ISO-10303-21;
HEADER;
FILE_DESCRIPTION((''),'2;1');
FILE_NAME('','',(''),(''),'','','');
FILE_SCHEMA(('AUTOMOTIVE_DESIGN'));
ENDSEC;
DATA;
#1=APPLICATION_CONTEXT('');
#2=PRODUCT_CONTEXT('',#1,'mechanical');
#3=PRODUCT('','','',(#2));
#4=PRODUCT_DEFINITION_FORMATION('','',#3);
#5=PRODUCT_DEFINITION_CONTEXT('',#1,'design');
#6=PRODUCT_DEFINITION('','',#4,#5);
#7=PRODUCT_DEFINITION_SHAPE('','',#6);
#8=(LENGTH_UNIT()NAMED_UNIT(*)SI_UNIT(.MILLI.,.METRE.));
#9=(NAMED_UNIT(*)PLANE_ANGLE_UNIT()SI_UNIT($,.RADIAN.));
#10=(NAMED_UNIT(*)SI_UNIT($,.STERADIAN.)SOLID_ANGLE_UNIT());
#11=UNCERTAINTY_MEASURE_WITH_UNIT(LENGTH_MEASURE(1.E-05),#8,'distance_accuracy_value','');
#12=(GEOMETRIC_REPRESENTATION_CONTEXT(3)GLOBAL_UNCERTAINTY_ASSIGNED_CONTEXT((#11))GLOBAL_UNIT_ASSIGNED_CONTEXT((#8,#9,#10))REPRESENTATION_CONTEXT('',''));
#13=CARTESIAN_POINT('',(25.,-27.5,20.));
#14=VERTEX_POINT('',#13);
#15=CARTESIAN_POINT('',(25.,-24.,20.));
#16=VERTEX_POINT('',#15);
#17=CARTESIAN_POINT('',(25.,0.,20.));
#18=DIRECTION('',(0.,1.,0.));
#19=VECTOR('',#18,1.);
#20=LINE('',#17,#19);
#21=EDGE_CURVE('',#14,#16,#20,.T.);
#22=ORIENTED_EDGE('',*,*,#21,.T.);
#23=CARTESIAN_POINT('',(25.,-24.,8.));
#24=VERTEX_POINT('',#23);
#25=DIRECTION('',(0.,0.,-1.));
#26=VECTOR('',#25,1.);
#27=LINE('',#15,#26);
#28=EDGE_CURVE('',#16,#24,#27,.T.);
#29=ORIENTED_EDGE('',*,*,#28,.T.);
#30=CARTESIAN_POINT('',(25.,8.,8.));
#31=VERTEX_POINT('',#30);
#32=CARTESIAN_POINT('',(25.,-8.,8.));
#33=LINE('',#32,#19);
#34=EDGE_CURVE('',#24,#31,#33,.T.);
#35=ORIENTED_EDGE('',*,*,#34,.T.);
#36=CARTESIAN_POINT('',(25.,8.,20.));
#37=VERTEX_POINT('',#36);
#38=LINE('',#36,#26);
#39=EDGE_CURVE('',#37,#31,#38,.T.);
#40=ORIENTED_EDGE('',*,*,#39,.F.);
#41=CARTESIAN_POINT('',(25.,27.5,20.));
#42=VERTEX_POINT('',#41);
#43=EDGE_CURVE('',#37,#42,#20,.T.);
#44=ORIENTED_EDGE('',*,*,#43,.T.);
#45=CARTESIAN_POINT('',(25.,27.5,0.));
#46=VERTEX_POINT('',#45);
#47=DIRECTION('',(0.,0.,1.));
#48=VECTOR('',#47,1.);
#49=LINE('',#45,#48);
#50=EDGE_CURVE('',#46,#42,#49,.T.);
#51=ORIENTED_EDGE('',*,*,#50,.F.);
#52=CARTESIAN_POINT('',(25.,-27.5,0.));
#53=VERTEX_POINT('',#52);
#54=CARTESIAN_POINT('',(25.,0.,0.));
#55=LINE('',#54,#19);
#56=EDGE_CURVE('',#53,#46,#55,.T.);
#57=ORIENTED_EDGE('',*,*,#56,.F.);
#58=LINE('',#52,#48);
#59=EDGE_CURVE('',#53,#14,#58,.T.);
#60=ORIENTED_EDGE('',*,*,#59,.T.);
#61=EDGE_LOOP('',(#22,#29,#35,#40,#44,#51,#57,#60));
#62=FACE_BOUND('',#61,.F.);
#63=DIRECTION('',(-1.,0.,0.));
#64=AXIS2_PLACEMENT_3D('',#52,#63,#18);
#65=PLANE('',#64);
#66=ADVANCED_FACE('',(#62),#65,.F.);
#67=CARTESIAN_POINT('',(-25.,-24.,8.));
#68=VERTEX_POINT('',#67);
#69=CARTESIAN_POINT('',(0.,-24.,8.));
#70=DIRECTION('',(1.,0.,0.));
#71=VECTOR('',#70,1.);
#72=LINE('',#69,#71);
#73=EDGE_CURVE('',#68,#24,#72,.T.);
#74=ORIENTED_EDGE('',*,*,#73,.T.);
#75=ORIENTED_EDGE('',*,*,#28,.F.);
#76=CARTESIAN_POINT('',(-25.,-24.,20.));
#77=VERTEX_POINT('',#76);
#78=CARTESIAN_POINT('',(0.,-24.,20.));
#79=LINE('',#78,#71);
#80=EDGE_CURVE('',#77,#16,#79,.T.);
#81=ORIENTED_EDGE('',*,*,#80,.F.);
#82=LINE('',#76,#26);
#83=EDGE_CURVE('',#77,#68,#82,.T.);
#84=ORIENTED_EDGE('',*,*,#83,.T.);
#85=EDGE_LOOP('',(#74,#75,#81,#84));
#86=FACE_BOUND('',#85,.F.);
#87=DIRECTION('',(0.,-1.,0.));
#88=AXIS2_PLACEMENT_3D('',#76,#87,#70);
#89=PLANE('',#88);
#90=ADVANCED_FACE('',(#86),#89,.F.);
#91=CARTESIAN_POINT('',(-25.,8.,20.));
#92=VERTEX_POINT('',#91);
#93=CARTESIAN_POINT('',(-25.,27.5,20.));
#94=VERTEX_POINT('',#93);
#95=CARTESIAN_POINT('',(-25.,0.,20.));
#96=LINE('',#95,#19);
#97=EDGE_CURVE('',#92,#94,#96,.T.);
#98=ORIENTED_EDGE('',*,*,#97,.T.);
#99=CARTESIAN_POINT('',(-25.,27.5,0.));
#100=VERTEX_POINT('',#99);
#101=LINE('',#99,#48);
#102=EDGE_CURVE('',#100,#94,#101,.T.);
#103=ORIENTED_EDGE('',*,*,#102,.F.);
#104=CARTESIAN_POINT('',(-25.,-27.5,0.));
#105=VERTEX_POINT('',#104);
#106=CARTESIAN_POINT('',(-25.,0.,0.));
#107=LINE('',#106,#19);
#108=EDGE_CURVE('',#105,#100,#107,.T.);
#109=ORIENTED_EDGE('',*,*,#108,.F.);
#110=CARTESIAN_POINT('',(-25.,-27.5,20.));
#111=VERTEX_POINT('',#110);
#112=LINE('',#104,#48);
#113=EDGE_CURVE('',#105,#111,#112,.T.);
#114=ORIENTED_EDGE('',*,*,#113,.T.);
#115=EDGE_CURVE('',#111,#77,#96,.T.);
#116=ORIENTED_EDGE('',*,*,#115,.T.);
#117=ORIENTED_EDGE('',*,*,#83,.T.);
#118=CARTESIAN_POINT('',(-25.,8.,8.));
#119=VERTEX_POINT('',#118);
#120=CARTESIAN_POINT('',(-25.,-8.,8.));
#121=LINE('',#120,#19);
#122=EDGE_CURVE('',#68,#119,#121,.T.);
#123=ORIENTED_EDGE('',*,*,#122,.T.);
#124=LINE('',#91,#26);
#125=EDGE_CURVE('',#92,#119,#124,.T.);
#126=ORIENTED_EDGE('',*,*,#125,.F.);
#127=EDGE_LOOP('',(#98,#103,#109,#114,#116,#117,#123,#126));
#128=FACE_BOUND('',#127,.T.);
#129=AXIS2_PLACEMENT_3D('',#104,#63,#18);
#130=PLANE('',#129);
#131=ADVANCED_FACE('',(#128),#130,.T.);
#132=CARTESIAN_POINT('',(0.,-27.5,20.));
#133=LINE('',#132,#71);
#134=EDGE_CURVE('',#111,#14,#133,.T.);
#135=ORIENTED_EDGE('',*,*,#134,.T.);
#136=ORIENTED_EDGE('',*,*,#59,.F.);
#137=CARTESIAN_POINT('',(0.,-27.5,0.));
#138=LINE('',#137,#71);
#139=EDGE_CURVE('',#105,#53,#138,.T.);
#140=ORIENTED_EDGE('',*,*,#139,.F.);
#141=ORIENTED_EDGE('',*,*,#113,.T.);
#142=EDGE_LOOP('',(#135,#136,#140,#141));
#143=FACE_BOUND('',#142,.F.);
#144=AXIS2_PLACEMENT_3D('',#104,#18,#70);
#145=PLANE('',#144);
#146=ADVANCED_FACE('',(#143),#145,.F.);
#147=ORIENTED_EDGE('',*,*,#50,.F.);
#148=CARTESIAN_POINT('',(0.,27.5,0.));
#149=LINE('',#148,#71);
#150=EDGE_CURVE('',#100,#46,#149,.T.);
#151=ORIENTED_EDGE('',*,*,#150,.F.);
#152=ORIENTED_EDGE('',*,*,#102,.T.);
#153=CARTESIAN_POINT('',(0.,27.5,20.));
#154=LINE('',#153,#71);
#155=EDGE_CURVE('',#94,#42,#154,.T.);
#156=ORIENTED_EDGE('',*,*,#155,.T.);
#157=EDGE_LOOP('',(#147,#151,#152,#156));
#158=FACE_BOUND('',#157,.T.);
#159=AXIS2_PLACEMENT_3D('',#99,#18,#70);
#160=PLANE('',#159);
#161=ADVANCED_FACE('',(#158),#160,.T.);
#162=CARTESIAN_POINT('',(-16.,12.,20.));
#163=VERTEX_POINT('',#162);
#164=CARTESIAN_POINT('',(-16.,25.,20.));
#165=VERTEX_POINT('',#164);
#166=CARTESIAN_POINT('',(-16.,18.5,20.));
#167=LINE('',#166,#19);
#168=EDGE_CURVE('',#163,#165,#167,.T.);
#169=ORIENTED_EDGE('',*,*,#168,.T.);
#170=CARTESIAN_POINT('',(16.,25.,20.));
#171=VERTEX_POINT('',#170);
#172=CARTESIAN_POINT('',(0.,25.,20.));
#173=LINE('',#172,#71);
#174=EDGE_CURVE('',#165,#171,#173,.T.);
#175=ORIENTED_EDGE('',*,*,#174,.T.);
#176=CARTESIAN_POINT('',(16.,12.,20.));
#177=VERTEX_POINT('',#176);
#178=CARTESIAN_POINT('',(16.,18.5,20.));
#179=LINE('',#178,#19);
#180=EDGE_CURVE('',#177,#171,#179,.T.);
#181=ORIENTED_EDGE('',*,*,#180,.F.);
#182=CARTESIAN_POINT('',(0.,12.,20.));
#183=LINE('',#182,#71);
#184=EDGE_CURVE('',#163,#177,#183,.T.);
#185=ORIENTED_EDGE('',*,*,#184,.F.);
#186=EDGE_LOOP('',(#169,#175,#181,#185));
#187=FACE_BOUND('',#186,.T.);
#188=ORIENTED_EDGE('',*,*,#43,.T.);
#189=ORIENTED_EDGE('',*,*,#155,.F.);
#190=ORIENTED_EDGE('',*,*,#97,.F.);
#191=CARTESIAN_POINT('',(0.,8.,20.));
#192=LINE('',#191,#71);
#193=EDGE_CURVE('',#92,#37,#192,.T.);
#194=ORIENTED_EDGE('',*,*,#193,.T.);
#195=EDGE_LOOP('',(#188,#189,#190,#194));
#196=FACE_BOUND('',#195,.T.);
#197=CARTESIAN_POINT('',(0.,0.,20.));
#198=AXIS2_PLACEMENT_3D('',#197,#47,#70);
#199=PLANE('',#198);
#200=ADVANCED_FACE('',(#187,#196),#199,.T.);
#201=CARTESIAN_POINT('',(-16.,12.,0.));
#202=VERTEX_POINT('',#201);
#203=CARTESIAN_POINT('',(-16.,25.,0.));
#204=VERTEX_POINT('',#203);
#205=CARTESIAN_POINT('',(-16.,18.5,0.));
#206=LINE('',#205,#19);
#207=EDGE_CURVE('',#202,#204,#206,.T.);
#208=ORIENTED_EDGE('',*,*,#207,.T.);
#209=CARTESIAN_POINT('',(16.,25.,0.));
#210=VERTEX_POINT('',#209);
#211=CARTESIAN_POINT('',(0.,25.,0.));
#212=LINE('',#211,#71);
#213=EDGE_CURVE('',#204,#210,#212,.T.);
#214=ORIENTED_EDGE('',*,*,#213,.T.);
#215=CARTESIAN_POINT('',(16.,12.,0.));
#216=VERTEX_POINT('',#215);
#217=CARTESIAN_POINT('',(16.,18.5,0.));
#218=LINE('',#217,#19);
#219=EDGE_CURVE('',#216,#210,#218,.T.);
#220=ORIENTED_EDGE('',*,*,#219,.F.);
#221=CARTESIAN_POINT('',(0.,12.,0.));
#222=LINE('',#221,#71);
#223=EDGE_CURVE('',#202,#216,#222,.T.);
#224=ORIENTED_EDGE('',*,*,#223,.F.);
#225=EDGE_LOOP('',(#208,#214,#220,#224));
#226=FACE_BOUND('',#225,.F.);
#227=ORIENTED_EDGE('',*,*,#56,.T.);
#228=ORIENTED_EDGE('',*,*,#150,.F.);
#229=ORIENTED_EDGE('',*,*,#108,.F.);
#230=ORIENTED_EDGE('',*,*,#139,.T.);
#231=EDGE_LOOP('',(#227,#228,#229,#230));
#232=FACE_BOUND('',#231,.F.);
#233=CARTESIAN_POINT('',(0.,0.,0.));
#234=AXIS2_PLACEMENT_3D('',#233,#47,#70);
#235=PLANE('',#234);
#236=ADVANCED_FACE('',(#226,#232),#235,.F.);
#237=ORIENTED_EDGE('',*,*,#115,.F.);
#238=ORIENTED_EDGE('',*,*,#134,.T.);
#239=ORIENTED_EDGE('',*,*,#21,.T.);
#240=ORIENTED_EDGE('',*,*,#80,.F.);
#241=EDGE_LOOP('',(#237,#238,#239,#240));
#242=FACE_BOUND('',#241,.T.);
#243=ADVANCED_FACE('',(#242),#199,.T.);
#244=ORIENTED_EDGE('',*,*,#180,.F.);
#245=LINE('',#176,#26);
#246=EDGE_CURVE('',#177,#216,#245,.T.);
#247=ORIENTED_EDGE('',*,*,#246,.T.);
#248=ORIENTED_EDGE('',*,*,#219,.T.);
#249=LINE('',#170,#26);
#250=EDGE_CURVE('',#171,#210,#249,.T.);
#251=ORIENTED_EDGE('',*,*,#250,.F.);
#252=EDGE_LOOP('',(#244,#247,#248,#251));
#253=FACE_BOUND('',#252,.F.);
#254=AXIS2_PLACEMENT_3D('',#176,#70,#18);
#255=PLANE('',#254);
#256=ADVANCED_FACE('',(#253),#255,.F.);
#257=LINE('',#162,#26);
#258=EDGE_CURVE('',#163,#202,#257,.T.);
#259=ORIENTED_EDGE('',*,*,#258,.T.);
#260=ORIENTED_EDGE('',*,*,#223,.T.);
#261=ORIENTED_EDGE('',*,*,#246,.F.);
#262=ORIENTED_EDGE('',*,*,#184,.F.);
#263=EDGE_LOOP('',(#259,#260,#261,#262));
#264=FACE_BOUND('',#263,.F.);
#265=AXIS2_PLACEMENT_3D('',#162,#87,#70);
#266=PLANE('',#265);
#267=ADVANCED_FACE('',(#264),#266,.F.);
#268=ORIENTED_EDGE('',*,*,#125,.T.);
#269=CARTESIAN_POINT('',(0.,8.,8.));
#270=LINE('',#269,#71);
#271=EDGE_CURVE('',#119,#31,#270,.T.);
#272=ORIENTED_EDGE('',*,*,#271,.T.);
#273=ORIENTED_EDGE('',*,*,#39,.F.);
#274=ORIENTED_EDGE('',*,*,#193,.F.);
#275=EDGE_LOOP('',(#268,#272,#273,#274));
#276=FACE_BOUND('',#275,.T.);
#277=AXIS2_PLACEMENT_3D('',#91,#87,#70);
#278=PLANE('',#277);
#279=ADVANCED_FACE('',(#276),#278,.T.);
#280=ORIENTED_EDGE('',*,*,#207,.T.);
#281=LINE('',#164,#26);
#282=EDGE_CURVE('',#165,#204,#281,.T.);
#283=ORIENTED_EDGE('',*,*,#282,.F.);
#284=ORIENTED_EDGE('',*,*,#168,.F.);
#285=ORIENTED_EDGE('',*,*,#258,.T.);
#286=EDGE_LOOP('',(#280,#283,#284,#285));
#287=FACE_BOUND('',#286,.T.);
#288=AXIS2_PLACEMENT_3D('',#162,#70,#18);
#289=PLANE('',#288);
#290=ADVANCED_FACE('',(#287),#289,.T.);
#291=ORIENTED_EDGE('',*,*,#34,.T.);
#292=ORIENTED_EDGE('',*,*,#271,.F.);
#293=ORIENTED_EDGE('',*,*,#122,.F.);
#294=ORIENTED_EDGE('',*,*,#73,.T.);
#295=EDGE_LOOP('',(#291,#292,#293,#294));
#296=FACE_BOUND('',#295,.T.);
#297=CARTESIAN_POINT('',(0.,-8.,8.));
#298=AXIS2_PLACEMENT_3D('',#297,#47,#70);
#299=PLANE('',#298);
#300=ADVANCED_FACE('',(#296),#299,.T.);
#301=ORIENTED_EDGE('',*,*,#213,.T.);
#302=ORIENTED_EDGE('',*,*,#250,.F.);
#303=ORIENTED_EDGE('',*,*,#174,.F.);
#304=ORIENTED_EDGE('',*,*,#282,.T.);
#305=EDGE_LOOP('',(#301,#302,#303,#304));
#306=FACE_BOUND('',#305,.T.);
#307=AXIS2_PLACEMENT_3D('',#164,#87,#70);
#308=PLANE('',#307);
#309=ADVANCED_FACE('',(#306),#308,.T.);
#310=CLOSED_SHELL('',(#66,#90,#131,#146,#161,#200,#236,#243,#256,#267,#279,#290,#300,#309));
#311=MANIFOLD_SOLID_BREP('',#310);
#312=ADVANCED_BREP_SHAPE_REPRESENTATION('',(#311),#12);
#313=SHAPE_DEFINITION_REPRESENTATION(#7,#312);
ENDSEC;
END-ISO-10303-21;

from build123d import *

# Parameters (mm, degrees)
SKETCH_W        = 50
SKETCH_H        = 55
PAD_DEPTH       = 20
SKETCH001_W     = 50
SKETCH001_H     = 32
POCKET_DEPTH    = 12
SKETCH002_W     = 32
SKETCH002_H     = 13
POCKET001_DEPTH = 20


with BuildPart() as part:
    # Sketch → Pad (new body)
    with BuildSketch(Plane.XY):
        Rectangle(SKETCH_W, SKETCH_H)
    extrude(amount=PAD_DEPTH)

    # Sketch001 (on Face6 of Pad) → Pocket (cut)
    with BuildSketch(Plane.XY.offset(20)):
        with Locations((0, -8)):
            Rectangle(SKETCH001_W, SKETCH001_H)
    extrude(amount=-POCKET_DEPTH, mode=Mode.SUBTRACT)

    # Sketch002 (on Face5 of Pocket) → Pocket001 (cut)
    with BuildSketch(Plane.XY.offset(20)):
        with Locations((0, 18.5)):
            Rectangle(SKETCH002_W, SKETCH002_H)
    extrude(amount=-POCKET001_DEPTH, mode=Mode.SUBTRACT)


solid = part.part
